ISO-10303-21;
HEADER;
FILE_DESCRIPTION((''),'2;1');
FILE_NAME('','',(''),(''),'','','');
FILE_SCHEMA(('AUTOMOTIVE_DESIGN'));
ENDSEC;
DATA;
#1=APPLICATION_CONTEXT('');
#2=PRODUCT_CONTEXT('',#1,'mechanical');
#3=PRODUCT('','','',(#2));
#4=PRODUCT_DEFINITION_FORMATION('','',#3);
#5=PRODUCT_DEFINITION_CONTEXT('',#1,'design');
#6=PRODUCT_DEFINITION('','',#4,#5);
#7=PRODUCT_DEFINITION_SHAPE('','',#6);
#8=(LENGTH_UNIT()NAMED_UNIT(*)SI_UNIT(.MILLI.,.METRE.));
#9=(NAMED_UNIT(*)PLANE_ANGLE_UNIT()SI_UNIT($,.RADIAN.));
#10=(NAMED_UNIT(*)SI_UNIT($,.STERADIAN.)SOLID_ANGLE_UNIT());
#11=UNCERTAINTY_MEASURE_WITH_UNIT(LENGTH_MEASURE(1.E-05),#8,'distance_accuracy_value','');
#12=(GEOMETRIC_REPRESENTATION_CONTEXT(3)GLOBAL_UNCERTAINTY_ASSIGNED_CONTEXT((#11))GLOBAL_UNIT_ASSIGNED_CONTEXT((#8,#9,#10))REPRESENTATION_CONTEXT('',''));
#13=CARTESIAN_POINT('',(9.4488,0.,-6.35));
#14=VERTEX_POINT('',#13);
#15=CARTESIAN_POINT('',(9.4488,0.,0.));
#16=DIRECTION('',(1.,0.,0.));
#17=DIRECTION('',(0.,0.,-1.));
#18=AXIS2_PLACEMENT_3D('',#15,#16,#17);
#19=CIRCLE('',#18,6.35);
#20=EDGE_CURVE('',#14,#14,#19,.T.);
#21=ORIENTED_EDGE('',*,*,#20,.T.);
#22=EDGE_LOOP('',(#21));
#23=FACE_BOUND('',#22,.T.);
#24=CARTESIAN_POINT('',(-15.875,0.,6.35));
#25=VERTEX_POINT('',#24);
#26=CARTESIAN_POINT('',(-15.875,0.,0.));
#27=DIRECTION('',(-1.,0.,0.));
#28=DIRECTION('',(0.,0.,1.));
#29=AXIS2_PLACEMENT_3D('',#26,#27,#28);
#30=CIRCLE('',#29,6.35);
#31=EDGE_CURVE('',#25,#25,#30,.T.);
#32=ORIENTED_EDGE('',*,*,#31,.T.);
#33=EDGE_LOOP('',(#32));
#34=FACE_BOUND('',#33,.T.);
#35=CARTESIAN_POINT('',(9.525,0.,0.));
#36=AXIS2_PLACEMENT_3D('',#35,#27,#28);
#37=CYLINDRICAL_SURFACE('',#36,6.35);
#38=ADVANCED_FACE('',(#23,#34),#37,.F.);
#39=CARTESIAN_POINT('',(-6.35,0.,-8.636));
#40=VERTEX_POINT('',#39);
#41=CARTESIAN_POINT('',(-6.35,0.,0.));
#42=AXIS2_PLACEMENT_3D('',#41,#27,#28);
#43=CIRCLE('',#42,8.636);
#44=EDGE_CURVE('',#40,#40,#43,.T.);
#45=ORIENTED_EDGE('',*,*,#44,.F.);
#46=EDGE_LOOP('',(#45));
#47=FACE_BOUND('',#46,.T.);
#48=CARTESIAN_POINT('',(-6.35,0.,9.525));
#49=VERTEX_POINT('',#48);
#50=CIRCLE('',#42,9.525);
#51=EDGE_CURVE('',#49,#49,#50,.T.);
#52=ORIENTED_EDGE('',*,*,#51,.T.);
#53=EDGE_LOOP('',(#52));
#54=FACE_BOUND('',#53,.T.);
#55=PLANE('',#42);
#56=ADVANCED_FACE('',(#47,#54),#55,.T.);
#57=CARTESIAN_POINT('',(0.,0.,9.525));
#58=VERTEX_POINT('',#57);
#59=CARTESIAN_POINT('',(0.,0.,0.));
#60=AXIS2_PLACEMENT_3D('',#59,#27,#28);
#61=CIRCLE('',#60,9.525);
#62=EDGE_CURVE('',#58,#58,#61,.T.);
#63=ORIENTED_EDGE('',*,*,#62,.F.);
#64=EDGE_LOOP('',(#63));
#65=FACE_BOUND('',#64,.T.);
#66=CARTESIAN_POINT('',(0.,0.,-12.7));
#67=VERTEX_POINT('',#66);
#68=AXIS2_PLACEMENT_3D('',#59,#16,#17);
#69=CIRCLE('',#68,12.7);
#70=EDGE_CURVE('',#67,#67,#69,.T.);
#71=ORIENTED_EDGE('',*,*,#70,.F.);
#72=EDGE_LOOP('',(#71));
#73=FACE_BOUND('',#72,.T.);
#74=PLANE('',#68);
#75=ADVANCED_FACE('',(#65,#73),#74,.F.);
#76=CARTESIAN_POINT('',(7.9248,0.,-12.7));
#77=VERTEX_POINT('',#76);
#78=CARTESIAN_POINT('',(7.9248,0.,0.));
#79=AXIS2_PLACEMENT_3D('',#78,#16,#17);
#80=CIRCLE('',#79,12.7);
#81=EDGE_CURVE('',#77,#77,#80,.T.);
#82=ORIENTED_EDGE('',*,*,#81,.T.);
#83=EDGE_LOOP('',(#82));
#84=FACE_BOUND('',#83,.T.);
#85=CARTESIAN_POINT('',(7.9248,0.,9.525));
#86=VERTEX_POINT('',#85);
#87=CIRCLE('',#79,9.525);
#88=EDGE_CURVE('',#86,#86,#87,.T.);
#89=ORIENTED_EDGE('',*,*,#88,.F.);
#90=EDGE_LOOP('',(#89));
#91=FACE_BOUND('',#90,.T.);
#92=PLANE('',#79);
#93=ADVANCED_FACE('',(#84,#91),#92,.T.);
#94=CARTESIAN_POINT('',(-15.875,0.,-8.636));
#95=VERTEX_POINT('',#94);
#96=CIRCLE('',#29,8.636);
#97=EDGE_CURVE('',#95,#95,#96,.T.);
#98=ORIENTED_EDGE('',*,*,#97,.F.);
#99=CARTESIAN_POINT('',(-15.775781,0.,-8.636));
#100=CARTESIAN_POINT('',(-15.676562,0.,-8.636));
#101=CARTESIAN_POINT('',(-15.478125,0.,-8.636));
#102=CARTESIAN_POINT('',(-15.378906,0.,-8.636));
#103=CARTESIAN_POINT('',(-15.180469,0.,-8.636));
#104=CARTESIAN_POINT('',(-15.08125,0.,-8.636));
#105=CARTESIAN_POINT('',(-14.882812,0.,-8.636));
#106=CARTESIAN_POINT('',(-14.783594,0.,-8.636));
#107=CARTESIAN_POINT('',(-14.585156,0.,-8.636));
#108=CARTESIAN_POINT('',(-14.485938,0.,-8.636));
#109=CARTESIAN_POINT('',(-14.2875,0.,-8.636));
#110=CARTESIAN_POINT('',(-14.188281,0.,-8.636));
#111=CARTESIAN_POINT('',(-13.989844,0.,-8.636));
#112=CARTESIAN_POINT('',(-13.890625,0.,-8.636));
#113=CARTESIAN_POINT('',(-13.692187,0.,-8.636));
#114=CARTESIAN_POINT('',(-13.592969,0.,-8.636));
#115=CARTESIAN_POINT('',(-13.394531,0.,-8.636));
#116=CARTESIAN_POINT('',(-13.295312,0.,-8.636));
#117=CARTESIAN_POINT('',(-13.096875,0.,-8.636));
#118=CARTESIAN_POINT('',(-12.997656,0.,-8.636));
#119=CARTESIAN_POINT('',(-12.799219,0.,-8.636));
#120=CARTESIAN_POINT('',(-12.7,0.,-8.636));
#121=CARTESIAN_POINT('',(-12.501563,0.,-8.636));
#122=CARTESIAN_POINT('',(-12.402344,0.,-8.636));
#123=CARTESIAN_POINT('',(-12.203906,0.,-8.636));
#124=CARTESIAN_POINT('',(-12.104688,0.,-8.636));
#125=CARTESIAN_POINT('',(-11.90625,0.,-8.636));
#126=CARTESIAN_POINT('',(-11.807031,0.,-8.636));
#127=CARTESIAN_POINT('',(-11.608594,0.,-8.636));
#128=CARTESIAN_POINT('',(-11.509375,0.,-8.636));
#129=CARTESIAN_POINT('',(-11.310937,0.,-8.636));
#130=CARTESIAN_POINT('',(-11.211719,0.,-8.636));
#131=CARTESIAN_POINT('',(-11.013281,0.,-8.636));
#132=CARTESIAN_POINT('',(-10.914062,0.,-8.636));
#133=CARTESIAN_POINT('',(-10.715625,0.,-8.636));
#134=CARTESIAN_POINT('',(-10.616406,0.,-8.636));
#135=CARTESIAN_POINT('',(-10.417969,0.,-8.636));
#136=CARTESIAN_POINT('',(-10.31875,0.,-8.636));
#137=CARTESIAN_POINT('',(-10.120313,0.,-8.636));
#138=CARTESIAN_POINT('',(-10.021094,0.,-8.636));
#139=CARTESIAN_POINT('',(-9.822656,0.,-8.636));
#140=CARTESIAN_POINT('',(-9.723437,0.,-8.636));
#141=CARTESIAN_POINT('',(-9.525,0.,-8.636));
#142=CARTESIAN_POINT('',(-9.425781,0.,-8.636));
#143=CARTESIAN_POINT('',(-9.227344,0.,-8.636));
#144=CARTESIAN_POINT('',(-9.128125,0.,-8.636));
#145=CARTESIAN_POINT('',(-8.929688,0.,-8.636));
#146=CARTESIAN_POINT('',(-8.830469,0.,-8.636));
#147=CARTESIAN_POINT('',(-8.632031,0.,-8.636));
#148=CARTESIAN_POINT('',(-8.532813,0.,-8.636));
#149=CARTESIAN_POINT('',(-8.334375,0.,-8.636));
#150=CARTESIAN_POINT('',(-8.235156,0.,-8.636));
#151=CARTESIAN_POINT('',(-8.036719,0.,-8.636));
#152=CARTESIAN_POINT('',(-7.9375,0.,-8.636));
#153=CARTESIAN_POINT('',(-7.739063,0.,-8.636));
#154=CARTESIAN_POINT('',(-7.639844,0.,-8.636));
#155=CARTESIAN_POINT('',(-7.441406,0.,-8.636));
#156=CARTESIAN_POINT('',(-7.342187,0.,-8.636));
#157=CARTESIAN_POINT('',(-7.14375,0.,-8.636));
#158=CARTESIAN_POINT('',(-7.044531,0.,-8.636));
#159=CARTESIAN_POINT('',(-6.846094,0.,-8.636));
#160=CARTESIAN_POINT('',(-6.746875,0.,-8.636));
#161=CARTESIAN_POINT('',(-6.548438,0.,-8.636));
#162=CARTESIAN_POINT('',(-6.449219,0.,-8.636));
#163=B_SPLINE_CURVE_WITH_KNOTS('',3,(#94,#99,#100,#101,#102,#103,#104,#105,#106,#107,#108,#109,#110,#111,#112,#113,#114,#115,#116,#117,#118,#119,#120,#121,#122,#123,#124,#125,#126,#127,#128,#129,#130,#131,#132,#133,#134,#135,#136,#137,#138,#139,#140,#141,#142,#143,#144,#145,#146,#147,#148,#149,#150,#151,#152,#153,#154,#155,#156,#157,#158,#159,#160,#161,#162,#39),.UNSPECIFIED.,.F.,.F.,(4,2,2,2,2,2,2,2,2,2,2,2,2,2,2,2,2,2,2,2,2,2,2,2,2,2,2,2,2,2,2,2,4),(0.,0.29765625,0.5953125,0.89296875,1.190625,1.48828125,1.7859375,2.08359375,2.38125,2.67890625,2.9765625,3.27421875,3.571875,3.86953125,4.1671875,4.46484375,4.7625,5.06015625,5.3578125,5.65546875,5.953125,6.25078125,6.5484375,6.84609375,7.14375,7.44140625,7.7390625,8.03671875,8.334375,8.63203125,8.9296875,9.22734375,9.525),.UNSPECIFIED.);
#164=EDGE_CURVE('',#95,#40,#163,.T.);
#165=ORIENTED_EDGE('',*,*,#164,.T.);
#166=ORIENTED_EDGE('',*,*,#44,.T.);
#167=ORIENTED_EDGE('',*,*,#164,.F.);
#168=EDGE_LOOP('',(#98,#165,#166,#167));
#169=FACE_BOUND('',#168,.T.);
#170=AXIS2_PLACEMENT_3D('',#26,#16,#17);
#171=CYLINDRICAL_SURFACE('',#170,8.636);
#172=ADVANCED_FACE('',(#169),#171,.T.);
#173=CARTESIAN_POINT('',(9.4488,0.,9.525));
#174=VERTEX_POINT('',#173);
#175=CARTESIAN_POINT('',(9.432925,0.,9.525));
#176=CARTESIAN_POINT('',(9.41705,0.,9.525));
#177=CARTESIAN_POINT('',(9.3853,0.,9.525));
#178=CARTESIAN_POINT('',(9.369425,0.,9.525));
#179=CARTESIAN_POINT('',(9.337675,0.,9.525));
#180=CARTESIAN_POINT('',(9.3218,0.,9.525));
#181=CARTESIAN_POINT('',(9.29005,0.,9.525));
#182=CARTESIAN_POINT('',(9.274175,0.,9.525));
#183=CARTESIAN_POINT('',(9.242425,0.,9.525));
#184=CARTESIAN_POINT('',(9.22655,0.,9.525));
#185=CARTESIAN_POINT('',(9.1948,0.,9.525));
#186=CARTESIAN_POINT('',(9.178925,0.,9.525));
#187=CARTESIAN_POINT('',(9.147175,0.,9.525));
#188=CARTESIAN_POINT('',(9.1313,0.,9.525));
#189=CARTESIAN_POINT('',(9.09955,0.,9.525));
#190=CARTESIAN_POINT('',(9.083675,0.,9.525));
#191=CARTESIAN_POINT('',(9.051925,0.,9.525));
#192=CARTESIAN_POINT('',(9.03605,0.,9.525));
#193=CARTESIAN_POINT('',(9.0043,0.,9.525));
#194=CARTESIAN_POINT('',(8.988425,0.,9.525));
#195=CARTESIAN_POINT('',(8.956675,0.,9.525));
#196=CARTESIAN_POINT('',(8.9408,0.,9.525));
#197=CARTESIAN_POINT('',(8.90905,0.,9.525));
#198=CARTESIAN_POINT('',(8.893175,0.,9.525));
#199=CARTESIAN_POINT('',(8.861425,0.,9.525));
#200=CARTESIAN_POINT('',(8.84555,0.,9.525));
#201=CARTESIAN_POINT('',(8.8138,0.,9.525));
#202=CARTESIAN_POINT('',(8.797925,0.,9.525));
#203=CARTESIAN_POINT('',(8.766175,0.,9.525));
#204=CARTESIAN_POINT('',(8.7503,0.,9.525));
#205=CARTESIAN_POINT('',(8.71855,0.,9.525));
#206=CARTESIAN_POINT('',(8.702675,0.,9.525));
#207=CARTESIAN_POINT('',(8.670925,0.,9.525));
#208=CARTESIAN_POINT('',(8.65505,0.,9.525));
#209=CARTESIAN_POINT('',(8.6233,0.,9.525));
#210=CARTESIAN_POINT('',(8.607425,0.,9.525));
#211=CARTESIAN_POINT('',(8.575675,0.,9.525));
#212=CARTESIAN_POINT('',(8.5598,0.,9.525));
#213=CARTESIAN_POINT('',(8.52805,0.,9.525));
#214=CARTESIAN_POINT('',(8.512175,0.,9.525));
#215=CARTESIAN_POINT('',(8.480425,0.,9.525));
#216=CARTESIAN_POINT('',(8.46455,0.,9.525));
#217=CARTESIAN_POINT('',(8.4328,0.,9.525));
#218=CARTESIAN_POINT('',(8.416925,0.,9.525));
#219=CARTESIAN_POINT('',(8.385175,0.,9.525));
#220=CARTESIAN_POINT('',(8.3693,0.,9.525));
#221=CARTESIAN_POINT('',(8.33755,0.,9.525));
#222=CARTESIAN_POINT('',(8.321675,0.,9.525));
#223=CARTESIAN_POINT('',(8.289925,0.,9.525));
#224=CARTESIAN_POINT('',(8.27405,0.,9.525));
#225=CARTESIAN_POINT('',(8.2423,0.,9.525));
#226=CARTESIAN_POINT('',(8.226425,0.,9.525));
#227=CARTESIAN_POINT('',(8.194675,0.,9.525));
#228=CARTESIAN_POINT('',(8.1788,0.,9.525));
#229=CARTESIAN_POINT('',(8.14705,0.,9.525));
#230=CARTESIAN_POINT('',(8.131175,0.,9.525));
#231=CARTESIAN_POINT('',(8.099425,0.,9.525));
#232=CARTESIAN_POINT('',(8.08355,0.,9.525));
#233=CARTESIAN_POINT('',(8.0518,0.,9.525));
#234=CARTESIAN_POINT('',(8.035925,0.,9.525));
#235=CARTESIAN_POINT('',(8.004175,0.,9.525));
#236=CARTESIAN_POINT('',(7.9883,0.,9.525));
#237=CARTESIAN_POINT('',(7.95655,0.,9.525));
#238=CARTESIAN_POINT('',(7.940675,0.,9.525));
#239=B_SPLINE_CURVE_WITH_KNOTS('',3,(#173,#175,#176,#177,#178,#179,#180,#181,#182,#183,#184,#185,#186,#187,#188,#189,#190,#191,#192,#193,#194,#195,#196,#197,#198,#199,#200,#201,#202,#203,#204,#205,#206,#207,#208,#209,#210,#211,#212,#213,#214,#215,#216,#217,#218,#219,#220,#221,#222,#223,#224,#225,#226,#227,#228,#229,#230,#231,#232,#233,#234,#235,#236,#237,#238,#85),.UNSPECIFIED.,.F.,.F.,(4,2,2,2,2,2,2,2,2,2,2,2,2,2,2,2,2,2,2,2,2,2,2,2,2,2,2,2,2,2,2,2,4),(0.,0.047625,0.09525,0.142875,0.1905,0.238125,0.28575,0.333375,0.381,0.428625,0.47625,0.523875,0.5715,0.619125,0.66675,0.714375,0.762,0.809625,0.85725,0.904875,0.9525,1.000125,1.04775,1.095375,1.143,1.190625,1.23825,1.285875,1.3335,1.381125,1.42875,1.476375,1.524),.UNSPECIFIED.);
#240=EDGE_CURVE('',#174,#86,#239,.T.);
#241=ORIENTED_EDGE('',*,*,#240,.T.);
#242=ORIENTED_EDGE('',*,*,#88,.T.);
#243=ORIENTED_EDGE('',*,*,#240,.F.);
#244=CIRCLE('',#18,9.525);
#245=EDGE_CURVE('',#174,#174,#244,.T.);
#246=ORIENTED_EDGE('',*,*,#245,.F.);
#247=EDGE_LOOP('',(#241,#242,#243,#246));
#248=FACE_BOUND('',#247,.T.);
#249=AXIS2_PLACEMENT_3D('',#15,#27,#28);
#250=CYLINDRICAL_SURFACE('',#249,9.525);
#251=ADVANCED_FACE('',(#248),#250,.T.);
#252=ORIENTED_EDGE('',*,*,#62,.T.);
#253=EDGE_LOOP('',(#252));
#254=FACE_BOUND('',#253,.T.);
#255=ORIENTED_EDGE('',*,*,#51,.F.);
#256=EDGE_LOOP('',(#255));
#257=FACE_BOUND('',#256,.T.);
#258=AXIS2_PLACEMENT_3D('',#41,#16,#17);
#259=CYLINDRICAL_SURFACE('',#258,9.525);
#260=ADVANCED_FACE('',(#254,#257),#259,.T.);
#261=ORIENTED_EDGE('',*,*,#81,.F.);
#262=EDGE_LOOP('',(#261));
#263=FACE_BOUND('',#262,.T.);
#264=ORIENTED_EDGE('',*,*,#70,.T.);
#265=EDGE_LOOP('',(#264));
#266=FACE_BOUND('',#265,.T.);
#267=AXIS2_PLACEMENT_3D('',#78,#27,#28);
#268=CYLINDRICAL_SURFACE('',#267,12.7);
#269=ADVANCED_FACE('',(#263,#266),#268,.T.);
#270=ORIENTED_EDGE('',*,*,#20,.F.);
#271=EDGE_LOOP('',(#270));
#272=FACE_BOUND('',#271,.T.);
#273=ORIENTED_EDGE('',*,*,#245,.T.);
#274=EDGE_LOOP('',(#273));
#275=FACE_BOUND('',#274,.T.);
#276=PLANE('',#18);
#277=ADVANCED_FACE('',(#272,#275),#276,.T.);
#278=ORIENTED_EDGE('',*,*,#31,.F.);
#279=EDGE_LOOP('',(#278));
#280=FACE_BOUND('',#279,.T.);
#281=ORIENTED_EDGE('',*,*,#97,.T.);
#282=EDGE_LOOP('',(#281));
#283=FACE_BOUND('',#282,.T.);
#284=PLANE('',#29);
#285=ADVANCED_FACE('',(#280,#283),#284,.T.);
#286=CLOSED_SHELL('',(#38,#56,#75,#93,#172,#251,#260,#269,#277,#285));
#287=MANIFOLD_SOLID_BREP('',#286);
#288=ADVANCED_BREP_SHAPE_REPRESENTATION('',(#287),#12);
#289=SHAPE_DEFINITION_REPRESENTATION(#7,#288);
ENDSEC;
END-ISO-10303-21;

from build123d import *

# Parameters (mm, degrees)
SKETCH1_R           = 12.7
BOSS_EXTRUDE1_DEPTH = 7.9248
SKETCH2_R           = 9.525
BOSS_EXTRUDE2_DEPTH = 1.524
BOSS_EXTRUDE4_START = 6.35
SKETCH4_R           = 9.525
BOSS_EXTRUDE4_DEPTH = 6.35
SKETCH5_R           = 8.636
BOSS_EXTRUDE5_DEPTH = 9.525
SKETCH6_R           = 6.35
CUT_EXTRUDE1_DEPTH  = 25.4


with BuildPart() as part:
    # Sketch1 → Boss-Extrude1 (new body)
    with BuildSketch(Plane(origin=(0, 0, 0), x_dir=(0, 0, -1), z_dir=(1, 0, 0))):
        Circle(SKETCH1_R)
    extrude(amount=BOSS_EXTRUDE1_DEPTH)

    # Sketch2 → Boss-Extrude2 (add)
    with BuildSketch(Plane(origin=(7.9248, 0, 0), x_dir=(0, 0, -1), z_dir=(1, 0, 0))):
        with Locations(Location((0, 0, 0), (0, 0, 180))):
            Circle(SKETCH2_R)
    extrude(amount=BOSS_EXTRUDE2_DEPTH)

    # Sketch4 → Boss-Extrude4 (add)
    with BuildSketch(Plane.ZY.offset(BOSS_EXTRUDE4_START)):
        Circle(SKETCH4_R)
    extrude(amount=-BOSS_EXTRUDE4_DEPTH)

    # Sketch5 → Boss-Extrude5 (add)
    with BuildSketch(Plane.ZY.offset(6.35)):
        with Locations(Location((0, 0, 0), (0, 0, 180))):
            Circle(SKETCH5_R)
    extrude(amount=BOSS_EXTRUDE5_DEPTH)

    # Sketch6 → Cut-Extrude1 (cut)
    with BuildSketch(Plane.ZY.offset(15.875)):
        Circle(SKETCH6_R)
    extrude(amount=-CUT_EXTRUDE1_DEPTH, mode=Mode.SUBTRACT)


solid = part.part
